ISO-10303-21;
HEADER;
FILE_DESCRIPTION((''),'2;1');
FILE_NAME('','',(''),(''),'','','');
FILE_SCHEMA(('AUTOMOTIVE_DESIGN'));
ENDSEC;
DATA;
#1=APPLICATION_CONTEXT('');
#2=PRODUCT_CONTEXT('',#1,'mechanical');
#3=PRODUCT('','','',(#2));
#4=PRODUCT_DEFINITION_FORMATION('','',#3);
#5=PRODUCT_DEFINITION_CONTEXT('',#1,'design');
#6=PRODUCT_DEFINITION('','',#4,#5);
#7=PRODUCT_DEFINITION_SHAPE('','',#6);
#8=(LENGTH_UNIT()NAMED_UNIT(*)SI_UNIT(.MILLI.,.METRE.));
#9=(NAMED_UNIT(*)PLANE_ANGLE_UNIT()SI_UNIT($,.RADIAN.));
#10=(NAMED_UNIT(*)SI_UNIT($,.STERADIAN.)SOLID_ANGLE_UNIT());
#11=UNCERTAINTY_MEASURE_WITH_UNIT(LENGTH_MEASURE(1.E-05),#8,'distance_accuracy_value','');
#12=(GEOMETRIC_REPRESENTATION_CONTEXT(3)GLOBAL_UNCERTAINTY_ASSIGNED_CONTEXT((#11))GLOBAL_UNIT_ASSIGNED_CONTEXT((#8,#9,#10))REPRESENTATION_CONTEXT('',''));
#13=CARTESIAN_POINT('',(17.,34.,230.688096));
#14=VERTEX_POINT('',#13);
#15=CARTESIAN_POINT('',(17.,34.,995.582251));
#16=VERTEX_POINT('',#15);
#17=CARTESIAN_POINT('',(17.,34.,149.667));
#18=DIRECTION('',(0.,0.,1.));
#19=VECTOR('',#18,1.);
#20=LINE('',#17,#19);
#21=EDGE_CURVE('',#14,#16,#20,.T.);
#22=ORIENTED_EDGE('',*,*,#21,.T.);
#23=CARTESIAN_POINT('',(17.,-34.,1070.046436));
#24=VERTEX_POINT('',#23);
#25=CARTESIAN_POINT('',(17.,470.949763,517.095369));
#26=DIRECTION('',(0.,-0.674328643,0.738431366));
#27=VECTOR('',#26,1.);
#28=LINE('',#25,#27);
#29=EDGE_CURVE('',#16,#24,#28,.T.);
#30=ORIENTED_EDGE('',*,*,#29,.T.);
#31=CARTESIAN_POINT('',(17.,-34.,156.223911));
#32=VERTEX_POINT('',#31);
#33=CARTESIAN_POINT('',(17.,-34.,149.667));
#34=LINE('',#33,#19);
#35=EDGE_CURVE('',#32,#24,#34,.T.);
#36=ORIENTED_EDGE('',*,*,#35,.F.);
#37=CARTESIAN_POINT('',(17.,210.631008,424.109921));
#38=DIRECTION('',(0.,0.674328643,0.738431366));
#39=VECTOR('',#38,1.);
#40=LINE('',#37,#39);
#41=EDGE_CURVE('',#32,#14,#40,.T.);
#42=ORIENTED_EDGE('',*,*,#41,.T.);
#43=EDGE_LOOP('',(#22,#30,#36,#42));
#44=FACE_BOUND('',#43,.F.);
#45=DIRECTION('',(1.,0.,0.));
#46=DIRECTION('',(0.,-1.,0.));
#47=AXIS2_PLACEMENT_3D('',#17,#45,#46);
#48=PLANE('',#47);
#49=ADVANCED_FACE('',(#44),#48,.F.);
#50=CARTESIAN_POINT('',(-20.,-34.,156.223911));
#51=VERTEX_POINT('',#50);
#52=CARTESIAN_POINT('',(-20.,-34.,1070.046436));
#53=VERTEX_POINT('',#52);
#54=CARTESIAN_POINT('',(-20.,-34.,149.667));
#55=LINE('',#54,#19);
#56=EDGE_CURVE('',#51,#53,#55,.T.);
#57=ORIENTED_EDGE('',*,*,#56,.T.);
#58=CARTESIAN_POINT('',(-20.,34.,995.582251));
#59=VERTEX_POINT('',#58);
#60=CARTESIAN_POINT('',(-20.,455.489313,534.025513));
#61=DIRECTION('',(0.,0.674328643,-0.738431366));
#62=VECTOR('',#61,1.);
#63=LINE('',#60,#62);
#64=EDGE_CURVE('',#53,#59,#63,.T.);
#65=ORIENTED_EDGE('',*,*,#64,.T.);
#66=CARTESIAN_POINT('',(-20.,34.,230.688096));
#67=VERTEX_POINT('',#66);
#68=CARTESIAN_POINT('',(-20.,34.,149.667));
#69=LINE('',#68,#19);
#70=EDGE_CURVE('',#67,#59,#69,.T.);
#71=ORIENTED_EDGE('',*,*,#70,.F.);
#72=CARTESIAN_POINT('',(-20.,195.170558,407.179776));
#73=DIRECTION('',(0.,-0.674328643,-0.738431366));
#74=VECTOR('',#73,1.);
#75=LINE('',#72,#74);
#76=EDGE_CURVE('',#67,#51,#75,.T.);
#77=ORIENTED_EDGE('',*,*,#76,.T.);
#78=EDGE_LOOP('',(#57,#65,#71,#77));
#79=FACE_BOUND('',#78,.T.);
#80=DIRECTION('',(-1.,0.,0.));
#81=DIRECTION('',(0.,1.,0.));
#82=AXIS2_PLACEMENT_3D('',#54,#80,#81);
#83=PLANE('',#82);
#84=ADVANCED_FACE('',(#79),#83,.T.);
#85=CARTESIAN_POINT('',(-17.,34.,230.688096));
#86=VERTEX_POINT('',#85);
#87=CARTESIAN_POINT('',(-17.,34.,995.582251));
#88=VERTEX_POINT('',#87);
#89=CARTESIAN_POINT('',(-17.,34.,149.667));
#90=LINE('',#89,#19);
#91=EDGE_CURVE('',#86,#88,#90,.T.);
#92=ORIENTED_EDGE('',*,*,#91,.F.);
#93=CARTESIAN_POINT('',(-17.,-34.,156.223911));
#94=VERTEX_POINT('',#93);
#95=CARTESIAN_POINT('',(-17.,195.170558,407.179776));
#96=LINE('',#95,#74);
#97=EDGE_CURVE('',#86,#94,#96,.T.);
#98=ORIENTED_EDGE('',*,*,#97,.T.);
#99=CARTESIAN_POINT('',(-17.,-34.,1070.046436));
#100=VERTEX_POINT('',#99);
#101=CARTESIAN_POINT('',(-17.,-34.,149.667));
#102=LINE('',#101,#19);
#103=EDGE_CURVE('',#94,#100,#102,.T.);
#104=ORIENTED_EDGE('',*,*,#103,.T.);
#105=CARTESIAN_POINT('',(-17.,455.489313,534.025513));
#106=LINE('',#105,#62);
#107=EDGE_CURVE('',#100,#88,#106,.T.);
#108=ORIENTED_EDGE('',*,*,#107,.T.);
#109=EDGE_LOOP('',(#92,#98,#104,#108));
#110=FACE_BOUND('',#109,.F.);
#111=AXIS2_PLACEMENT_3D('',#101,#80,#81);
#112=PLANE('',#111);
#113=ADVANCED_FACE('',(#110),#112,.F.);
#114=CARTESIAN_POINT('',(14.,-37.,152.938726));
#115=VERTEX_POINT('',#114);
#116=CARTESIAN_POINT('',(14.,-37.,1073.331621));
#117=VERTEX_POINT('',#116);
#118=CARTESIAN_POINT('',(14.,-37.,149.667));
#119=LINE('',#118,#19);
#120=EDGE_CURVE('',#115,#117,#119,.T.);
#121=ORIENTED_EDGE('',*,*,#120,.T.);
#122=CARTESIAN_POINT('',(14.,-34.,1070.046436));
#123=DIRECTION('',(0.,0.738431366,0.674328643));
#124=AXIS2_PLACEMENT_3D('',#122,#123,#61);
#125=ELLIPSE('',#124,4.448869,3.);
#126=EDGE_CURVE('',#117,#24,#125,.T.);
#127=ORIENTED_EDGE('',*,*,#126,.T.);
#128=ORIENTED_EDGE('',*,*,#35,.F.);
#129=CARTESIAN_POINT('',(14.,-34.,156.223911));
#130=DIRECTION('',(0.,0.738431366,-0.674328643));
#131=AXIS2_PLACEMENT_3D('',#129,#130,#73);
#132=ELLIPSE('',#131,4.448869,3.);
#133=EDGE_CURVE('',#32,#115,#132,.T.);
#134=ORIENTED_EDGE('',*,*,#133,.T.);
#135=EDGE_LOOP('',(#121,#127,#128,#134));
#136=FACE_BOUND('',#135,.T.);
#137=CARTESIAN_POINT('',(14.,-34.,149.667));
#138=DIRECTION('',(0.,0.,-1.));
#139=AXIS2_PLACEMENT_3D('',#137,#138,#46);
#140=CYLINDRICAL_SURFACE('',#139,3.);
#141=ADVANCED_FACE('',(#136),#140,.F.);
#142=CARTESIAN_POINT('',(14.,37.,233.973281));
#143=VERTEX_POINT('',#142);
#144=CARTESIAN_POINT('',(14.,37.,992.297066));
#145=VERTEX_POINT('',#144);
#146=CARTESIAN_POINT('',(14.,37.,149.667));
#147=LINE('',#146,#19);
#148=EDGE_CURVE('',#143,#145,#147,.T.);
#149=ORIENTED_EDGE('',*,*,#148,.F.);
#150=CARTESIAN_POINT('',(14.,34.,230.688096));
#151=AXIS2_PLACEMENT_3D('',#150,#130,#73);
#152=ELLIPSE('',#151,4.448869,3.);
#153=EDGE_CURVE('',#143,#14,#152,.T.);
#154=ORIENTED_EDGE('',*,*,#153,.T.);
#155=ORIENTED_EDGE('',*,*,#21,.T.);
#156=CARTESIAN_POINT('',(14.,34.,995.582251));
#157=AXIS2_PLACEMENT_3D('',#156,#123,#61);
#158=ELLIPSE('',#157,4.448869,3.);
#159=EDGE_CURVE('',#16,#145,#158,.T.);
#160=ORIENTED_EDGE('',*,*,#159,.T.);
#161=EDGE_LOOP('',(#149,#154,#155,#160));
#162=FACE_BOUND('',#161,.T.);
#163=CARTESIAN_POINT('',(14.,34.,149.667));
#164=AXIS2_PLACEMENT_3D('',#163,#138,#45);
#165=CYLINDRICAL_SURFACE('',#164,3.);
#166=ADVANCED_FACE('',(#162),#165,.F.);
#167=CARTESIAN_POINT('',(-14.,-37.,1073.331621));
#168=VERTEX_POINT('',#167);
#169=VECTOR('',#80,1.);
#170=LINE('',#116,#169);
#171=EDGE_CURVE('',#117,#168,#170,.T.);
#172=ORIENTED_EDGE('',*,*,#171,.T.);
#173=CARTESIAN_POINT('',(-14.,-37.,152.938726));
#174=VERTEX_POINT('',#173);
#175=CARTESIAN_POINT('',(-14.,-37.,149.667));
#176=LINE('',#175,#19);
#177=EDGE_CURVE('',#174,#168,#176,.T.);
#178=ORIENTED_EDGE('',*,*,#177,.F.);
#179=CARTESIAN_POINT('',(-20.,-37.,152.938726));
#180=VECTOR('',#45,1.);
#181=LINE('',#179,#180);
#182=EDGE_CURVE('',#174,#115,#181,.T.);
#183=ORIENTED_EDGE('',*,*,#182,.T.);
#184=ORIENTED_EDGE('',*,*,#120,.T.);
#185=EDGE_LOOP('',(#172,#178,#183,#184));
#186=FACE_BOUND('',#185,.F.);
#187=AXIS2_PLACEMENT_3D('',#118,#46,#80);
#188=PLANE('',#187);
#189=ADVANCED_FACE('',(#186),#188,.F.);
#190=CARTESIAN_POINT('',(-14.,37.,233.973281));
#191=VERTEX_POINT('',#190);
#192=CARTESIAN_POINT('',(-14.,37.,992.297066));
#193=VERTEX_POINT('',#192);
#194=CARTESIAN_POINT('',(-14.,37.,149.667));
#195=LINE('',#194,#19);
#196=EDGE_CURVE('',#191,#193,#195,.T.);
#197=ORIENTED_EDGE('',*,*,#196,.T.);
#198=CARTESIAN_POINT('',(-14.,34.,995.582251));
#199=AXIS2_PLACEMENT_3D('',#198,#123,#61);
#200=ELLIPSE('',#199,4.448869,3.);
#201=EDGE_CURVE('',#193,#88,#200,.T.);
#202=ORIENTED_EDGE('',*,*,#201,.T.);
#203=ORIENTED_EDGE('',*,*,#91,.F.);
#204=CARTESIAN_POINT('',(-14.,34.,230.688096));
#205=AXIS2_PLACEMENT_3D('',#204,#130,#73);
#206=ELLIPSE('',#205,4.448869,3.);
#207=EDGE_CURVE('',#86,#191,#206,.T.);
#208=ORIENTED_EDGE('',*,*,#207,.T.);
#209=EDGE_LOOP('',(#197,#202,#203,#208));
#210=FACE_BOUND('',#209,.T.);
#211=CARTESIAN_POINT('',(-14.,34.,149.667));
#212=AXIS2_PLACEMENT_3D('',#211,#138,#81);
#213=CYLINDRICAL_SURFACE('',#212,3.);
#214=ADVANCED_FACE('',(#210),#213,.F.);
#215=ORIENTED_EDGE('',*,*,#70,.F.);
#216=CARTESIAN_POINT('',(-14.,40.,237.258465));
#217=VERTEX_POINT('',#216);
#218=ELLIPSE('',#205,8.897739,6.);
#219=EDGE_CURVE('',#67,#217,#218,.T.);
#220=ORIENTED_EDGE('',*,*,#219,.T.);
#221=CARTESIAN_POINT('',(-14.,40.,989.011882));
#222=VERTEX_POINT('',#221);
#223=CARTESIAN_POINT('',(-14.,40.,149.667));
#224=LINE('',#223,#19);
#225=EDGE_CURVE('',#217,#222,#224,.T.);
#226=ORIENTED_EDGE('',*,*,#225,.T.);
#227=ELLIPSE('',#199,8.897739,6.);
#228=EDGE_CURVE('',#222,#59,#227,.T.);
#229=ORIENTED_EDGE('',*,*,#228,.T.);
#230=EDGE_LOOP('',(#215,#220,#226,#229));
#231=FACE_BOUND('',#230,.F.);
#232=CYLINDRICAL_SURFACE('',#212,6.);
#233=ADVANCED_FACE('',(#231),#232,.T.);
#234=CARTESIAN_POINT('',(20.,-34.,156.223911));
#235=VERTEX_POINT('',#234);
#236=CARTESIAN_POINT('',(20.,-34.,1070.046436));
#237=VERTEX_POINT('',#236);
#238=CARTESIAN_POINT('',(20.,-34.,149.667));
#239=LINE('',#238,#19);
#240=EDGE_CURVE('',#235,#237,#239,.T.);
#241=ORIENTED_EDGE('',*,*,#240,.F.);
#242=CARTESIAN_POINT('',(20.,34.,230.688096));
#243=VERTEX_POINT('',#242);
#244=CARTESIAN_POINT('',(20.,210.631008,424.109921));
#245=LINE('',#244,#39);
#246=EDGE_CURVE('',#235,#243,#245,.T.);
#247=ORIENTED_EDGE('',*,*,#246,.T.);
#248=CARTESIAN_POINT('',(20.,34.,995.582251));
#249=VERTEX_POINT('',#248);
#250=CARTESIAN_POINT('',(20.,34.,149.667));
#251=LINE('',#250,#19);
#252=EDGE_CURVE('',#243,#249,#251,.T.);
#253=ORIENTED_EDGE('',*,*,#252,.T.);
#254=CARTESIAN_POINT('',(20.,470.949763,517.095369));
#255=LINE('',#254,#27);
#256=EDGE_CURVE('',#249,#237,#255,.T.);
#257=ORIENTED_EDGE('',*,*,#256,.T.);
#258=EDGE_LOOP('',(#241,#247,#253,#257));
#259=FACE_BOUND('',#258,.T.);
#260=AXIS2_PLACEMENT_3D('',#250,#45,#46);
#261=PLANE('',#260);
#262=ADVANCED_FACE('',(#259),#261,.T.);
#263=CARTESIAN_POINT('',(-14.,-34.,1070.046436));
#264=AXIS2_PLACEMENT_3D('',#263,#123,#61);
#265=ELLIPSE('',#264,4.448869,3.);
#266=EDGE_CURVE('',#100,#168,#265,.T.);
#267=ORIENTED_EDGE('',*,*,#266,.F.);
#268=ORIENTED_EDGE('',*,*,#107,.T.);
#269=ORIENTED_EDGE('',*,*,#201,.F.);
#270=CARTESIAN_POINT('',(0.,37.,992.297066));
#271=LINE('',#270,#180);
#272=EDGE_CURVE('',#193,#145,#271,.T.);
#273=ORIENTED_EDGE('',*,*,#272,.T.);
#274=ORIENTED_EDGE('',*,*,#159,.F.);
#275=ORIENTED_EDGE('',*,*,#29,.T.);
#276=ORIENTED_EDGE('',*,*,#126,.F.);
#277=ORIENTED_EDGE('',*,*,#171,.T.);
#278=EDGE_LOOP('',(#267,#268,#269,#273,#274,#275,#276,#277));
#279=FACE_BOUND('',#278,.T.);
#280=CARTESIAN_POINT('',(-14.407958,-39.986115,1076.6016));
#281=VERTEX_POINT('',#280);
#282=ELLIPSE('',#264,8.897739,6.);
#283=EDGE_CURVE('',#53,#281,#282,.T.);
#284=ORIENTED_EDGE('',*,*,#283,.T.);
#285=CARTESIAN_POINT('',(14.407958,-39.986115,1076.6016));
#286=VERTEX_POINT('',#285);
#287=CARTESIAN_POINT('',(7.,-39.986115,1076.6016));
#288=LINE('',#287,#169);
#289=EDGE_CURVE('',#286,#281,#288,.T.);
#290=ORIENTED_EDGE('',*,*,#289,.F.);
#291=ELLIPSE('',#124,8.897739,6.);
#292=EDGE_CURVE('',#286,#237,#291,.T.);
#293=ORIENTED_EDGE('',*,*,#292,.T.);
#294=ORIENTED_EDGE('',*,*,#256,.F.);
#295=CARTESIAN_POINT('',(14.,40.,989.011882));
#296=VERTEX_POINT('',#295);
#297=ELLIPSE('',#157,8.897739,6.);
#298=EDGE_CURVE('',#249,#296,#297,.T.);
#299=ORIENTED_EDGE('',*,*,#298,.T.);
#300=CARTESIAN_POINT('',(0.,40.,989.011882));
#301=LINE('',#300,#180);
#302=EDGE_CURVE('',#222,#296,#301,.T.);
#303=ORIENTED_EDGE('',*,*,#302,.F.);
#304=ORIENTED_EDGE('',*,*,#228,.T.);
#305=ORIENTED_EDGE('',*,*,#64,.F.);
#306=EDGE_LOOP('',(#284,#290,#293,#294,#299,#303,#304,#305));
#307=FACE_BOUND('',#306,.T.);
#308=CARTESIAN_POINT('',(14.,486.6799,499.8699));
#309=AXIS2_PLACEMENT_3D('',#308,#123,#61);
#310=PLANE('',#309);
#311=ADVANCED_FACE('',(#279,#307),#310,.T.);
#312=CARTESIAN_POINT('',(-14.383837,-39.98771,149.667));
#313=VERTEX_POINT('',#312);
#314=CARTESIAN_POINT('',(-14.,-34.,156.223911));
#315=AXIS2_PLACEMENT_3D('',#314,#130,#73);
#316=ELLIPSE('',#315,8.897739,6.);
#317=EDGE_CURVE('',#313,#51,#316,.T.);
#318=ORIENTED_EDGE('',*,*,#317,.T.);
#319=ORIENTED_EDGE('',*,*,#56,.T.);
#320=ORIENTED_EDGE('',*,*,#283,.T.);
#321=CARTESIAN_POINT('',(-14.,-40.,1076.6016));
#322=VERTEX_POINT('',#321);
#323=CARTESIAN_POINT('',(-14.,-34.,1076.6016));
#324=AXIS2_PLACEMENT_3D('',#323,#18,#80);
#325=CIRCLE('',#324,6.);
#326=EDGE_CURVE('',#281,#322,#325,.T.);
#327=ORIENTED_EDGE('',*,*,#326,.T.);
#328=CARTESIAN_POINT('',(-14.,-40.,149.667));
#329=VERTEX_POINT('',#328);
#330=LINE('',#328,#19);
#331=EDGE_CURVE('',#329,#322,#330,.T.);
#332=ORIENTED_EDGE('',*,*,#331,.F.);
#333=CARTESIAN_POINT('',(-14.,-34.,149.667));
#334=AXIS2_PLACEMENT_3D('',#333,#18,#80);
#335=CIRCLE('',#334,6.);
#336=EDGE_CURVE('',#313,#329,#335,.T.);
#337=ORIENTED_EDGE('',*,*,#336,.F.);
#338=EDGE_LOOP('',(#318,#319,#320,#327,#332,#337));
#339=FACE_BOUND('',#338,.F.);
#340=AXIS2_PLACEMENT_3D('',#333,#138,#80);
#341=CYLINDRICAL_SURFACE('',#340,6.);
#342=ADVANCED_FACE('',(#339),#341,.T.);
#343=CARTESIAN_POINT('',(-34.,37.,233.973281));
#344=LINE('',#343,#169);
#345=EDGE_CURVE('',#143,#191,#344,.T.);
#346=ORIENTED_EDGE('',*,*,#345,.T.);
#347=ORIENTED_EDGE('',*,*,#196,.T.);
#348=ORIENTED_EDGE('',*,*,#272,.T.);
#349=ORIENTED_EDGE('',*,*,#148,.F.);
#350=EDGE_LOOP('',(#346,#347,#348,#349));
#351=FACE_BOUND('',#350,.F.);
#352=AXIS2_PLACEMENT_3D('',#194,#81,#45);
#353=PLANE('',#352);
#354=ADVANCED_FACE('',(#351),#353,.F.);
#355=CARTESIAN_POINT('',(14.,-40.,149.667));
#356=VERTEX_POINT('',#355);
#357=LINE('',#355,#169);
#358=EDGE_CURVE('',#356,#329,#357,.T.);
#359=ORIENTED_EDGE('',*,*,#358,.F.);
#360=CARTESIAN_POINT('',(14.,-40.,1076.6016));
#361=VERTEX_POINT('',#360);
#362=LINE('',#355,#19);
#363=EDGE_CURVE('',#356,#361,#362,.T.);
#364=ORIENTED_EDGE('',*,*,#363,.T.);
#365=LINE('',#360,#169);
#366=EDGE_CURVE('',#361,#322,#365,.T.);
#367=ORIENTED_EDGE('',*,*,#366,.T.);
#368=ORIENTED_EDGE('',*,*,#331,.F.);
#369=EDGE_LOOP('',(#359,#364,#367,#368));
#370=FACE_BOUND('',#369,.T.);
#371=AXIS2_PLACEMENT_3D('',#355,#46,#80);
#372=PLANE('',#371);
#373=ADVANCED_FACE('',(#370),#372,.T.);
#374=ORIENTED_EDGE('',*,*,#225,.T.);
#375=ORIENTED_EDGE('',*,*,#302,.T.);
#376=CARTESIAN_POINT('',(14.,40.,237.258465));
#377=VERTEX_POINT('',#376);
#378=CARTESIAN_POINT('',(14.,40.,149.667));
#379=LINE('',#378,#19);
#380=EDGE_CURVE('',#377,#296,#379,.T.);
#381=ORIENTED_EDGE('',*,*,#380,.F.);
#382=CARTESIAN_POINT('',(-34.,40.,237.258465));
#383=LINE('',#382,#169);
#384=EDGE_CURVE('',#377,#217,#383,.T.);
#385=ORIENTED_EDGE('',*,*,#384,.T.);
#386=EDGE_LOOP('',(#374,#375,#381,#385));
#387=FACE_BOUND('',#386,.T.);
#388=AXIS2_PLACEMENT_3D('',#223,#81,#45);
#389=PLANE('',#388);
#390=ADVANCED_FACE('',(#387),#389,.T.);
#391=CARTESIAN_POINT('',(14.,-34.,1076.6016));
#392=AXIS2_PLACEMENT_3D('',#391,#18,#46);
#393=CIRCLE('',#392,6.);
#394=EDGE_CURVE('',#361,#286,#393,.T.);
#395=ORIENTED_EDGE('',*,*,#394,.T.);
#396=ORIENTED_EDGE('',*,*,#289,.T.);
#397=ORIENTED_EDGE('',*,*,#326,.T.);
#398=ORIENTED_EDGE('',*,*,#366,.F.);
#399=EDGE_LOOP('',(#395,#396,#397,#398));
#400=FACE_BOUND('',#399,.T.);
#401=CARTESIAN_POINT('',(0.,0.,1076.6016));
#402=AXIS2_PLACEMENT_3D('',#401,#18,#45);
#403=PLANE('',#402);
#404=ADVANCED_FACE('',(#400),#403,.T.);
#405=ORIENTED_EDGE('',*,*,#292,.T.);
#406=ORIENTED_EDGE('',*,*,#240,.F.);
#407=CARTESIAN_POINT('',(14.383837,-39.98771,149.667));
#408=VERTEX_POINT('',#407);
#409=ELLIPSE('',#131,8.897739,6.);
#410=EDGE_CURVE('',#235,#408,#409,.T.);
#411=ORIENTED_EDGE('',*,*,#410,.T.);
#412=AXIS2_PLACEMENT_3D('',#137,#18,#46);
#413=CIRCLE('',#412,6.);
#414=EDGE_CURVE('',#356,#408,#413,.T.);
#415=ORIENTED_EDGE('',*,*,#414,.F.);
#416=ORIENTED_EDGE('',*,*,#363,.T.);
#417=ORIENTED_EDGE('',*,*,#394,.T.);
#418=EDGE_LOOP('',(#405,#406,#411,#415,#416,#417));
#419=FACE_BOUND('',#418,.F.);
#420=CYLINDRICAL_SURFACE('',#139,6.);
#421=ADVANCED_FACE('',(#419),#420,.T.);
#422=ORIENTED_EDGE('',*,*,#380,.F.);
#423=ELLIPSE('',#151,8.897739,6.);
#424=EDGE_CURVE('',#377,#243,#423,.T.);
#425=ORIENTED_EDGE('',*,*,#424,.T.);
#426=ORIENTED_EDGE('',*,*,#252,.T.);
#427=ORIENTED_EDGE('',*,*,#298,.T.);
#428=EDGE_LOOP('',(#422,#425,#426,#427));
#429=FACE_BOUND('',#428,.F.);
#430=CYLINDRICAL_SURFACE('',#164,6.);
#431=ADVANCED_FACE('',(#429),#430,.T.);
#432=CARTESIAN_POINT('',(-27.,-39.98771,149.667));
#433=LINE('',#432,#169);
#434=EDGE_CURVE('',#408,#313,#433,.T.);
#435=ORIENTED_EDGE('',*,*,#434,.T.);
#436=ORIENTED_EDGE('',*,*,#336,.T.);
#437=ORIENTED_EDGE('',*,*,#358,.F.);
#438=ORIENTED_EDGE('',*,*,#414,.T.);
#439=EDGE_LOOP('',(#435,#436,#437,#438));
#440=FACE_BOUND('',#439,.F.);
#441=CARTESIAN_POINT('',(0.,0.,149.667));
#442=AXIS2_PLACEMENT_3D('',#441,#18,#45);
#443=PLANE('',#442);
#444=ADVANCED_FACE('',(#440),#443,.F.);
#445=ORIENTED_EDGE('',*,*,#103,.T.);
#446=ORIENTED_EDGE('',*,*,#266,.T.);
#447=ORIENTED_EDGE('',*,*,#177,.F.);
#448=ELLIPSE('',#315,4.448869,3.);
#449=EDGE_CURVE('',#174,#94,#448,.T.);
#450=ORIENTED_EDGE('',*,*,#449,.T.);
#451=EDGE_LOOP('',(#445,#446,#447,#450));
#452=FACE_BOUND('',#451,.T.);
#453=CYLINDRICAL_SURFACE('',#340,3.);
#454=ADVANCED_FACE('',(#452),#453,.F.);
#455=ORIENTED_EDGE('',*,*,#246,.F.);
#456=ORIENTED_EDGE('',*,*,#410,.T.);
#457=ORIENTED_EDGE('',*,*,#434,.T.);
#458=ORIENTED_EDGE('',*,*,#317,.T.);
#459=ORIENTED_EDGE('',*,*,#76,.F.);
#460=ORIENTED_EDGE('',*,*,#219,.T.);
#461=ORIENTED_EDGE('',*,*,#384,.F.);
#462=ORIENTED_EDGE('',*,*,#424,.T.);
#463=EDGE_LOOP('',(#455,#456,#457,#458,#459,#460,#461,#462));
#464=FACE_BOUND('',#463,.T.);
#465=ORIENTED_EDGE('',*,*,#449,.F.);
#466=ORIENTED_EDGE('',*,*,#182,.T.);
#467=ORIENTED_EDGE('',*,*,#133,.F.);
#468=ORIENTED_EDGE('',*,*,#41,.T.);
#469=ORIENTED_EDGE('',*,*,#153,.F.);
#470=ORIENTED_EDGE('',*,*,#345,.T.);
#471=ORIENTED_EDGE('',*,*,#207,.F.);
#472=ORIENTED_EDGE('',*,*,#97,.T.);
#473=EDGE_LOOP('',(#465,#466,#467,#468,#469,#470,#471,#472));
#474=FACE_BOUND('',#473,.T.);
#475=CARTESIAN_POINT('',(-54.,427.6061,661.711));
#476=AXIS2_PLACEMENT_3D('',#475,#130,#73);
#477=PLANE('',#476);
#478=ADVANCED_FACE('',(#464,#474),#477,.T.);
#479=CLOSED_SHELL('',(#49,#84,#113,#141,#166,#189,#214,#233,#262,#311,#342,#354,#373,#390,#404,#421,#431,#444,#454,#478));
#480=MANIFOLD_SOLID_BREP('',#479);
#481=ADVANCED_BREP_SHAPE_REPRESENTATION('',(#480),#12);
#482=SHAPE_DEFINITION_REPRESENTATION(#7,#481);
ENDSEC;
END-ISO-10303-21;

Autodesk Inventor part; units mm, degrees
ref_plane "Start Plane" through (0, 0, 149.667) normal (0, 0, 1) x (1, 0, 0)
ref_plane "End Plane" through (0, 0, 1076.6016) normal (0, 0, 1) x (1, 0, 0)
sketch "Sketch" plane through (0, 0, 0) normal (0, 0, 1) x (1, 0, 0)
  line L0 (-20, -34) -> (-20, 34)
  line L1 (-14, 40) -> (14, 40)
  line L2 (20, 34) -> (20, -34)
  line L3 (14, -40) -> (-14, -40)
  arc A0 (-20, -34) -> (-14, -40) centre (-14, -34) ccw
  arc A1 (20, 34) -> (14, 40) centre (14, 34) ccw
  arc A2 (-14, 40) -> (-20, 34) centre (-14, 34) ccw
  arc A3 (14, -40) -> (20, -34) centre (14, -34) ccw
  arc A4 (-14, 37) -> (-17, 34) centre (-14, 34) ccw
  line L4 (-14, 37) -> (14, 37)
  arc A5 (17, 34) -> (14, 37) centre (14, 34) ccw
  line L5 (17, 34) -> (17, -34)
  arc A6 (14, -37) -> (17, -34) centre (14, -34) ccw
  line L6 (14, -37) -> (-14, -37)
  arc A7 (-17, -34) -> (-14, -37) centre (-14, -34) ccw
  line L7 (-17, -34) -> (-17, 34)
  line L8 (0, 57.7397) -> (0, -57.7397) construction
  line L9 (-29.7397, 0) -> (29.7397, 0) construction
  dimension "d7" = 6
  dimension "d9" = 40
  dimension "d11" = 80
  dimension "d12" = 3
  dimension "d15" = 20
  dimension "d16" = 40
extrude "Body" add sketch "Sketch" along normal up to surface (926.9346 mm away) from surface at 149.667
sketch "Sketch3" plane through (0, 0, 0) normal (0, 0, 1) x (1, 0, 0)
  line L0 (0, 0) -> (10, 0)
ref_plane "Work Plane3" through (0, 0, 0) normal (0, -1, 0) x (1, 0, 0)
ref_plane "Work Plane4" through (14, 486.6799, 499.8699) normal (0, 0.7384, 0.6743) x (1, 0, 0)
split "Split1" plane through (14, 486.6799, 499.8699) removes the side toward (0, 0.7384, 0.6743)
ref_plane "Work Plane5" through (-54, 427.6061, 661.711) normal (0, 0.7384, -0.6743) x (1, 0, 0)
split "Split2" plane through (-54, 427.6061, 661.711) removes the side toward (0, 0.7384, -0.6743)
sketch "Sketch4" plane through (0, 0, 0) normal (0, -1, 0) x (1, 0, 0)
  line L0 (-2, 149.667) -> (12, 149.667) projected
  line L1 (-2, 1076.6016) -> (12, 1076.6016) projected
  dimension "d18" = 926.9346
equation "\"d7\" = G_IR"
equation "\"d9\" = G_W"
equation "\"d11\" = G_H"
equation "\"d12\" = G_T"
equation "\"d15\" = 0.5 * d9"
equation "\"d16\" = 0.5 * d11"
equation "\"d3\" = G_L"
equation "\"G_W\" = 40"
equation "\"G_H\" = 80"
equation "\"G_T\" = 3"
equation "\"G_IR\" = 6"
equation "\"G_L\" = d18"
equation "\"G_OFFSET_START\" = -149.66701"
equation "\"G_OFFSET_END\" = -31.03219"
equation "\"d13\" = -G_OFFSET_START"
equation "\"d14\" = G_OFFSET_END + B_L"
equation "\"B_L\" = 1107.63384"
properties part number "ISO 10799-2 - 80x40x3 - 926,93" material "Steel, Mild"
